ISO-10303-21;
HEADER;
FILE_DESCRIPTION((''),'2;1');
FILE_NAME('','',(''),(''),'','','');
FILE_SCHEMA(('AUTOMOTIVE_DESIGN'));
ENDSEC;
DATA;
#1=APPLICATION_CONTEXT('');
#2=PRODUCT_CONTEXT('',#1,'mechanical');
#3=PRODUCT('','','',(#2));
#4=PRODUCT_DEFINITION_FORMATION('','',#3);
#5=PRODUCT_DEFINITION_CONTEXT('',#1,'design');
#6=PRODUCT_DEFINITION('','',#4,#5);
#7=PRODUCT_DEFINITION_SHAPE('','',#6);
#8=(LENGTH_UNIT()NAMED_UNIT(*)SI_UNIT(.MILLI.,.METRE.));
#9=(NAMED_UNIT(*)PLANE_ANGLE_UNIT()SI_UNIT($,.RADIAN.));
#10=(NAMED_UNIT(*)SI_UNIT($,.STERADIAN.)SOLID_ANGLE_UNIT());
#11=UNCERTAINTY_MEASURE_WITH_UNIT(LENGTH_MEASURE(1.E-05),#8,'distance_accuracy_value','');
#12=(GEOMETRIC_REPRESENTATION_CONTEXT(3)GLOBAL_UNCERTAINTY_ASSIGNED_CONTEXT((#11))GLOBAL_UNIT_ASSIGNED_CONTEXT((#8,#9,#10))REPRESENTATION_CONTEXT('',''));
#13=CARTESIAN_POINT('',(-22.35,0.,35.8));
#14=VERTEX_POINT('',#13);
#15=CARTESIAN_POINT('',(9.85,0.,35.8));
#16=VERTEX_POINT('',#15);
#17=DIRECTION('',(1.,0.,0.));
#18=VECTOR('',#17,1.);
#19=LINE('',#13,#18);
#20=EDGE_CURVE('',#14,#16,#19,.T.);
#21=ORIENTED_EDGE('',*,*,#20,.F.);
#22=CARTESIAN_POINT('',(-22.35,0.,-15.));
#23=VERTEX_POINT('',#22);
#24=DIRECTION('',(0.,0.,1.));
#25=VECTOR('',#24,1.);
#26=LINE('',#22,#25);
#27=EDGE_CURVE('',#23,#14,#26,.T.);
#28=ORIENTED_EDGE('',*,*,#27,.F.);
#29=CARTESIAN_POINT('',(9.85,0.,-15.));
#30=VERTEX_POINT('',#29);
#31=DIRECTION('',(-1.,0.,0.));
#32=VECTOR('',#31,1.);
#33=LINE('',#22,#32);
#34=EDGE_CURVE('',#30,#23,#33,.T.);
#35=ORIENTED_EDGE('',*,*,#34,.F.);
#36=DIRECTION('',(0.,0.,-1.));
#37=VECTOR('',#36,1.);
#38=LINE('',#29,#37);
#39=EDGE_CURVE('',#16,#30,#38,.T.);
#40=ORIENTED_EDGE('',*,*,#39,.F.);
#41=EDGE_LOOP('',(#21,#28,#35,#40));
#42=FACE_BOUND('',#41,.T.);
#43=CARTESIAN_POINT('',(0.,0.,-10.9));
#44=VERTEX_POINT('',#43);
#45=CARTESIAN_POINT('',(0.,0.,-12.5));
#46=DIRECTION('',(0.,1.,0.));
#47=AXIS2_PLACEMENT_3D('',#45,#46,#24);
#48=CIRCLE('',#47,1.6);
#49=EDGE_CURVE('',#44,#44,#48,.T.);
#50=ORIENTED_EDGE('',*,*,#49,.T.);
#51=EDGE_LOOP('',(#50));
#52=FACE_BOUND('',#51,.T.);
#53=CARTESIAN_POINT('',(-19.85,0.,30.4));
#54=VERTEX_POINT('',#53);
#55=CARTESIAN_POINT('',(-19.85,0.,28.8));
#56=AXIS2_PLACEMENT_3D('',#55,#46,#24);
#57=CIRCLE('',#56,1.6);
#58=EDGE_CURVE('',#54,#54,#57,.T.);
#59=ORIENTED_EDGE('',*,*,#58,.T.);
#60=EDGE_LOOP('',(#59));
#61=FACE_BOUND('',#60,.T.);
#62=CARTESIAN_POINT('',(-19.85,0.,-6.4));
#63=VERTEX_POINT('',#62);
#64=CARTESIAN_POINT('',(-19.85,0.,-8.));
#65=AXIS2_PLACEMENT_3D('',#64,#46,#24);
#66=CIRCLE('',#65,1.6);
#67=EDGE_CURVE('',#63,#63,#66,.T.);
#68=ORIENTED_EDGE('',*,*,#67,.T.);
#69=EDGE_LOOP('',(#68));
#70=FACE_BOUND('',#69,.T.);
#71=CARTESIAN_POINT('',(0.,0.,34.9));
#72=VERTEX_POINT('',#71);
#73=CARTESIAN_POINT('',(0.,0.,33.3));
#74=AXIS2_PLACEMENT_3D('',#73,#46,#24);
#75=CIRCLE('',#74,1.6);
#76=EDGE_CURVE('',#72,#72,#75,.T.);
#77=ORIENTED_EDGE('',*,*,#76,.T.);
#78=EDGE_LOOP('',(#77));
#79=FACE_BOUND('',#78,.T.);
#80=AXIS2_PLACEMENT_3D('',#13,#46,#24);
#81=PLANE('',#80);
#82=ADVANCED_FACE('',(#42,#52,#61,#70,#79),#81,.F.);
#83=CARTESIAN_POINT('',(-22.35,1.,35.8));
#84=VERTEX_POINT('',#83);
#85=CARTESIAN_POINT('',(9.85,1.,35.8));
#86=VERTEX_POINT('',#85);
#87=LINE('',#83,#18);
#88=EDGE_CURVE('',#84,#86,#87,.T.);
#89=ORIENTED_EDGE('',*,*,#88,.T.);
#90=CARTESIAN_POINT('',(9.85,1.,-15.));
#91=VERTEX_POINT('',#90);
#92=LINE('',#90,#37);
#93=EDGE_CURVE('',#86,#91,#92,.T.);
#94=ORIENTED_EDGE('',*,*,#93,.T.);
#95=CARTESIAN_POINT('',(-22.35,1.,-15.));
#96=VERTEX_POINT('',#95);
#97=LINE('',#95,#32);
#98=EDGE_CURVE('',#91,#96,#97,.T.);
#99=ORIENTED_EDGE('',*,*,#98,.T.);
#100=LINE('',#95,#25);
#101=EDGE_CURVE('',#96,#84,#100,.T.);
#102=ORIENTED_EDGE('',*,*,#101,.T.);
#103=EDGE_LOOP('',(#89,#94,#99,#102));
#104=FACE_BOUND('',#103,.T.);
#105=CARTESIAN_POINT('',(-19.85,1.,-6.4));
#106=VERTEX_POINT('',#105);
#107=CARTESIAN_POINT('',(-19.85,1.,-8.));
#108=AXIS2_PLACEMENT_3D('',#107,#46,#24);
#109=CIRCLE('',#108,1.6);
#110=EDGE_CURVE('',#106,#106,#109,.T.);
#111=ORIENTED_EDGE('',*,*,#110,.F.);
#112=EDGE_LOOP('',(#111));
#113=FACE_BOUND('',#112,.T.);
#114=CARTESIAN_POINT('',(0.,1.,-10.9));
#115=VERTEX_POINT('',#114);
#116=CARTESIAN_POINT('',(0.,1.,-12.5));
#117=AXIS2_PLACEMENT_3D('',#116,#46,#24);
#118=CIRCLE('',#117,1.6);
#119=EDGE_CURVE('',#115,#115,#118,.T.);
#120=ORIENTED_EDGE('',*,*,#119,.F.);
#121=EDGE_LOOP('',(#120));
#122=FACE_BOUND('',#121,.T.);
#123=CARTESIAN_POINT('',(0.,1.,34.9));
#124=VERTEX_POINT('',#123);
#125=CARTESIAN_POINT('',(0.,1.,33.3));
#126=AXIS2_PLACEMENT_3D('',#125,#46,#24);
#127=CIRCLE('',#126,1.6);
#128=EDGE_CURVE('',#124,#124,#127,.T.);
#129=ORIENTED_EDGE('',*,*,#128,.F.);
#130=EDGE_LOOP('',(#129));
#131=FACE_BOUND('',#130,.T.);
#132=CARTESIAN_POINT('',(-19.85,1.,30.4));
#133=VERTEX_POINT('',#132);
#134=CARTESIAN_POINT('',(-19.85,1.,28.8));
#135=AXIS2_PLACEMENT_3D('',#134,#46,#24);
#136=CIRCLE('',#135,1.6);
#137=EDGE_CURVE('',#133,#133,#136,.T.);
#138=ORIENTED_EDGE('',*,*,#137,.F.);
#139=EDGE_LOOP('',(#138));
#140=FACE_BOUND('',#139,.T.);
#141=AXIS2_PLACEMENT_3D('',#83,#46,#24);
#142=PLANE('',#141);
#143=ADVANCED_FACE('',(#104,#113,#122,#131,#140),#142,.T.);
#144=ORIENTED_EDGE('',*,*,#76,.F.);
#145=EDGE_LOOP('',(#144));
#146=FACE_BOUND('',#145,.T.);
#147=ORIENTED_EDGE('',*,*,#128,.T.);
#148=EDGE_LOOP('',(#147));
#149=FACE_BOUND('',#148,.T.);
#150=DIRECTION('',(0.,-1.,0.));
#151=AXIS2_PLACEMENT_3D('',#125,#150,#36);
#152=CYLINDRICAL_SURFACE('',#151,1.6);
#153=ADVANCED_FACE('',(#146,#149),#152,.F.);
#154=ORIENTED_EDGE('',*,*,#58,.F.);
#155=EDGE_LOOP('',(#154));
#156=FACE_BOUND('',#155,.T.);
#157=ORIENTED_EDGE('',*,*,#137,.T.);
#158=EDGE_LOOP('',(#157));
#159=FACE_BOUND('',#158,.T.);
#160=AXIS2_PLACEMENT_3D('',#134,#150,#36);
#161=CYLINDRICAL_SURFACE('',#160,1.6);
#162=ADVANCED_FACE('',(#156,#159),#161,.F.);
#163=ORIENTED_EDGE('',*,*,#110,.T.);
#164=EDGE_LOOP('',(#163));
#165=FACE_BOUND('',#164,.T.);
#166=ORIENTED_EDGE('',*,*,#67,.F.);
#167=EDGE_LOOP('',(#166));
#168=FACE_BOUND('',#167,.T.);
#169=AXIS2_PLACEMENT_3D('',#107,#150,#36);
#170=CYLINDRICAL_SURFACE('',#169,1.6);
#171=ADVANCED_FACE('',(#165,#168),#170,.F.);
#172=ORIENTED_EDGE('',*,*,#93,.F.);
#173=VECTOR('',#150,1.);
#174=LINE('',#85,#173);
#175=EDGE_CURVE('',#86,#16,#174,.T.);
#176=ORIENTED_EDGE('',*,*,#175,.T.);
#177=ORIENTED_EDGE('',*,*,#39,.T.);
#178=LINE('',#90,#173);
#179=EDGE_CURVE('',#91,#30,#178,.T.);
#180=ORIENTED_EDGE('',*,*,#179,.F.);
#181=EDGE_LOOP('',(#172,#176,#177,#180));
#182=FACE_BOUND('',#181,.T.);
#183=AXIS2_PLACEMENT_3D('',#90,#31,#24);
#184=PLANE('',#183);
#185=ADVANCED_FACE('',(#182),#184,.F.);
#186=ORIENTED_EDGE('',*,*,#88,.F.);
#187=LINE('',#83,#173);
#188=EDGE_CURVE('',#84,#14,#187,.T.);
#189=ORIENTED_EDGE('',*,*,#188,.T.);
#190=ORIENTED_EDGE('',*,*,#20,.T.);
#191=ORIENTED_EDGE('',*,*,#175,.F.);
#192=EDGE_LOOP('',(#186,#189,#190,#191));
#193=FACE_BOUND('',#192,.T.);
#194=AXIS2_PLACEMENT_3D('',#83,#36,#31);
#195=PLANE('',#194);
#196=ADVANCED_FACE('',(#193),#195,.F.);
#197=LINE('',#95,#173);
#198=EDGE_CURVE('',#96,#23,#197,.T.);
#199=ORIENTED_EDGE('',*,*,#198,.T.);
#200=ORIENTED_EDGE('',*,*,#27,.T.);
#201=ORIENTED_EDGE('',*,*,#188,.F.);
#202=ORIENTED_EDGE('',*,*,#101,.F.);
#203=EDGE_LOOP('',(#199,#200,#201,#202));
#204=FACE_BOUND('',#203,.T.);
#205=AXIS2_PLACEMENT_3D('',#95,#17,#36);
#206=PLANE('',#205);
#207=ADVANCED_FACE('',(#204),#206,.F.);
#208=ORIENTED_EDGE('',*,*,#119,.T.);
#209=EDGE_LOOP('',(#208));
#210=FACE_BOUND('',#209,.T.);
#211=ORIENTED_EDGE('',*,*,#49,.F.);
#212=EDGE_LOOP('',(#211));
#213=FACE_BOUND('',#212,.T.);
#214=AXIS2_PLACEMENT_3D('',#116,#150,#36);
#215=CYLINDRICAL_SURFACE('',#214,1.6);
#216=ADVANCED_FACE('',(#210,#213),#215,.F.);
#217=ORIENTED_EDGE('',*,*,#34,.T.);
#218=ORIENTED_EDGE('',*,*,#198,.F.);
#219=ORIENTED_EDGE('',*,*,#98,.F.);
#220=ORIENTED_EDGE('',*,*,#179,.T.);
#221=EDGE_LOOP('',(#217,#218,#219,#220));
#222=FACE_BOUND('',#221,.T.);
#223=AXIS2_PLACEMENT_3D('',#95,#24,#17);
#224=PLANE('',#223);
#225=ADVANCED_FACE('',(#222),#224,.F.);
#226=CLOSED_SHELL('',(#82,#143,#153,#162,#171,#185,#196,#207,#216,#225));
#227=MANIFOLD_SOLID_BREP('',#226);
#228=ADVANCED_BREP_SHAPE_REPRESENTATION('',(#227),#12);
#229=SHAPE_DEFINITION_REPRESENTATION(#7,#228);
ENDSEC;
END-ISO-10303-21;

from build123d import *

# Parameters (mm, degrees)
ESQUISSE1_W      = 32.2
ESQUISSE1_H      = 50.8
ESQUISSE1_R      = 1.6
EXTRUSION1_DEPTH = 1


with BuildPart() as part:
    # Esquisse1 → Extrusion1 (new body)
    with BuildSketch(Plane(origin=(0, 0, 0), x_dir=(1, 0, 0), z_dir=(0, 1, 0))):
        with Locations((-6.25, -10.4)):
            Rectangle(ESQUISSE1_W, ESQUISSE1_H)
        with Locations(Location((0, -33.3, 0), (0, 0, 270))):
            Circle(ESQUISSE1_R, mode=Mode.SUBTRACT)
        with Locations(Location((0, 12.5, 0), (0, 0, 270))):
            Circle(ESQUISSE1_R, mode=Mode.SUBTRACT)
        with Locations(Location((-19.85, 8, 0), (0, 0, 270))):
            Circle(ESQUISSE1_R, mode=Mode.SUBTRACT)
        with Locations(Location((-19.85, -28.8, 0), (0, 0, 270))):
            Circle(ESQUISSE1_R, mode=Mode.SUBTRACT)
    extrude(amount=EXTRUSION1_DEPTH)


solid = part.part
